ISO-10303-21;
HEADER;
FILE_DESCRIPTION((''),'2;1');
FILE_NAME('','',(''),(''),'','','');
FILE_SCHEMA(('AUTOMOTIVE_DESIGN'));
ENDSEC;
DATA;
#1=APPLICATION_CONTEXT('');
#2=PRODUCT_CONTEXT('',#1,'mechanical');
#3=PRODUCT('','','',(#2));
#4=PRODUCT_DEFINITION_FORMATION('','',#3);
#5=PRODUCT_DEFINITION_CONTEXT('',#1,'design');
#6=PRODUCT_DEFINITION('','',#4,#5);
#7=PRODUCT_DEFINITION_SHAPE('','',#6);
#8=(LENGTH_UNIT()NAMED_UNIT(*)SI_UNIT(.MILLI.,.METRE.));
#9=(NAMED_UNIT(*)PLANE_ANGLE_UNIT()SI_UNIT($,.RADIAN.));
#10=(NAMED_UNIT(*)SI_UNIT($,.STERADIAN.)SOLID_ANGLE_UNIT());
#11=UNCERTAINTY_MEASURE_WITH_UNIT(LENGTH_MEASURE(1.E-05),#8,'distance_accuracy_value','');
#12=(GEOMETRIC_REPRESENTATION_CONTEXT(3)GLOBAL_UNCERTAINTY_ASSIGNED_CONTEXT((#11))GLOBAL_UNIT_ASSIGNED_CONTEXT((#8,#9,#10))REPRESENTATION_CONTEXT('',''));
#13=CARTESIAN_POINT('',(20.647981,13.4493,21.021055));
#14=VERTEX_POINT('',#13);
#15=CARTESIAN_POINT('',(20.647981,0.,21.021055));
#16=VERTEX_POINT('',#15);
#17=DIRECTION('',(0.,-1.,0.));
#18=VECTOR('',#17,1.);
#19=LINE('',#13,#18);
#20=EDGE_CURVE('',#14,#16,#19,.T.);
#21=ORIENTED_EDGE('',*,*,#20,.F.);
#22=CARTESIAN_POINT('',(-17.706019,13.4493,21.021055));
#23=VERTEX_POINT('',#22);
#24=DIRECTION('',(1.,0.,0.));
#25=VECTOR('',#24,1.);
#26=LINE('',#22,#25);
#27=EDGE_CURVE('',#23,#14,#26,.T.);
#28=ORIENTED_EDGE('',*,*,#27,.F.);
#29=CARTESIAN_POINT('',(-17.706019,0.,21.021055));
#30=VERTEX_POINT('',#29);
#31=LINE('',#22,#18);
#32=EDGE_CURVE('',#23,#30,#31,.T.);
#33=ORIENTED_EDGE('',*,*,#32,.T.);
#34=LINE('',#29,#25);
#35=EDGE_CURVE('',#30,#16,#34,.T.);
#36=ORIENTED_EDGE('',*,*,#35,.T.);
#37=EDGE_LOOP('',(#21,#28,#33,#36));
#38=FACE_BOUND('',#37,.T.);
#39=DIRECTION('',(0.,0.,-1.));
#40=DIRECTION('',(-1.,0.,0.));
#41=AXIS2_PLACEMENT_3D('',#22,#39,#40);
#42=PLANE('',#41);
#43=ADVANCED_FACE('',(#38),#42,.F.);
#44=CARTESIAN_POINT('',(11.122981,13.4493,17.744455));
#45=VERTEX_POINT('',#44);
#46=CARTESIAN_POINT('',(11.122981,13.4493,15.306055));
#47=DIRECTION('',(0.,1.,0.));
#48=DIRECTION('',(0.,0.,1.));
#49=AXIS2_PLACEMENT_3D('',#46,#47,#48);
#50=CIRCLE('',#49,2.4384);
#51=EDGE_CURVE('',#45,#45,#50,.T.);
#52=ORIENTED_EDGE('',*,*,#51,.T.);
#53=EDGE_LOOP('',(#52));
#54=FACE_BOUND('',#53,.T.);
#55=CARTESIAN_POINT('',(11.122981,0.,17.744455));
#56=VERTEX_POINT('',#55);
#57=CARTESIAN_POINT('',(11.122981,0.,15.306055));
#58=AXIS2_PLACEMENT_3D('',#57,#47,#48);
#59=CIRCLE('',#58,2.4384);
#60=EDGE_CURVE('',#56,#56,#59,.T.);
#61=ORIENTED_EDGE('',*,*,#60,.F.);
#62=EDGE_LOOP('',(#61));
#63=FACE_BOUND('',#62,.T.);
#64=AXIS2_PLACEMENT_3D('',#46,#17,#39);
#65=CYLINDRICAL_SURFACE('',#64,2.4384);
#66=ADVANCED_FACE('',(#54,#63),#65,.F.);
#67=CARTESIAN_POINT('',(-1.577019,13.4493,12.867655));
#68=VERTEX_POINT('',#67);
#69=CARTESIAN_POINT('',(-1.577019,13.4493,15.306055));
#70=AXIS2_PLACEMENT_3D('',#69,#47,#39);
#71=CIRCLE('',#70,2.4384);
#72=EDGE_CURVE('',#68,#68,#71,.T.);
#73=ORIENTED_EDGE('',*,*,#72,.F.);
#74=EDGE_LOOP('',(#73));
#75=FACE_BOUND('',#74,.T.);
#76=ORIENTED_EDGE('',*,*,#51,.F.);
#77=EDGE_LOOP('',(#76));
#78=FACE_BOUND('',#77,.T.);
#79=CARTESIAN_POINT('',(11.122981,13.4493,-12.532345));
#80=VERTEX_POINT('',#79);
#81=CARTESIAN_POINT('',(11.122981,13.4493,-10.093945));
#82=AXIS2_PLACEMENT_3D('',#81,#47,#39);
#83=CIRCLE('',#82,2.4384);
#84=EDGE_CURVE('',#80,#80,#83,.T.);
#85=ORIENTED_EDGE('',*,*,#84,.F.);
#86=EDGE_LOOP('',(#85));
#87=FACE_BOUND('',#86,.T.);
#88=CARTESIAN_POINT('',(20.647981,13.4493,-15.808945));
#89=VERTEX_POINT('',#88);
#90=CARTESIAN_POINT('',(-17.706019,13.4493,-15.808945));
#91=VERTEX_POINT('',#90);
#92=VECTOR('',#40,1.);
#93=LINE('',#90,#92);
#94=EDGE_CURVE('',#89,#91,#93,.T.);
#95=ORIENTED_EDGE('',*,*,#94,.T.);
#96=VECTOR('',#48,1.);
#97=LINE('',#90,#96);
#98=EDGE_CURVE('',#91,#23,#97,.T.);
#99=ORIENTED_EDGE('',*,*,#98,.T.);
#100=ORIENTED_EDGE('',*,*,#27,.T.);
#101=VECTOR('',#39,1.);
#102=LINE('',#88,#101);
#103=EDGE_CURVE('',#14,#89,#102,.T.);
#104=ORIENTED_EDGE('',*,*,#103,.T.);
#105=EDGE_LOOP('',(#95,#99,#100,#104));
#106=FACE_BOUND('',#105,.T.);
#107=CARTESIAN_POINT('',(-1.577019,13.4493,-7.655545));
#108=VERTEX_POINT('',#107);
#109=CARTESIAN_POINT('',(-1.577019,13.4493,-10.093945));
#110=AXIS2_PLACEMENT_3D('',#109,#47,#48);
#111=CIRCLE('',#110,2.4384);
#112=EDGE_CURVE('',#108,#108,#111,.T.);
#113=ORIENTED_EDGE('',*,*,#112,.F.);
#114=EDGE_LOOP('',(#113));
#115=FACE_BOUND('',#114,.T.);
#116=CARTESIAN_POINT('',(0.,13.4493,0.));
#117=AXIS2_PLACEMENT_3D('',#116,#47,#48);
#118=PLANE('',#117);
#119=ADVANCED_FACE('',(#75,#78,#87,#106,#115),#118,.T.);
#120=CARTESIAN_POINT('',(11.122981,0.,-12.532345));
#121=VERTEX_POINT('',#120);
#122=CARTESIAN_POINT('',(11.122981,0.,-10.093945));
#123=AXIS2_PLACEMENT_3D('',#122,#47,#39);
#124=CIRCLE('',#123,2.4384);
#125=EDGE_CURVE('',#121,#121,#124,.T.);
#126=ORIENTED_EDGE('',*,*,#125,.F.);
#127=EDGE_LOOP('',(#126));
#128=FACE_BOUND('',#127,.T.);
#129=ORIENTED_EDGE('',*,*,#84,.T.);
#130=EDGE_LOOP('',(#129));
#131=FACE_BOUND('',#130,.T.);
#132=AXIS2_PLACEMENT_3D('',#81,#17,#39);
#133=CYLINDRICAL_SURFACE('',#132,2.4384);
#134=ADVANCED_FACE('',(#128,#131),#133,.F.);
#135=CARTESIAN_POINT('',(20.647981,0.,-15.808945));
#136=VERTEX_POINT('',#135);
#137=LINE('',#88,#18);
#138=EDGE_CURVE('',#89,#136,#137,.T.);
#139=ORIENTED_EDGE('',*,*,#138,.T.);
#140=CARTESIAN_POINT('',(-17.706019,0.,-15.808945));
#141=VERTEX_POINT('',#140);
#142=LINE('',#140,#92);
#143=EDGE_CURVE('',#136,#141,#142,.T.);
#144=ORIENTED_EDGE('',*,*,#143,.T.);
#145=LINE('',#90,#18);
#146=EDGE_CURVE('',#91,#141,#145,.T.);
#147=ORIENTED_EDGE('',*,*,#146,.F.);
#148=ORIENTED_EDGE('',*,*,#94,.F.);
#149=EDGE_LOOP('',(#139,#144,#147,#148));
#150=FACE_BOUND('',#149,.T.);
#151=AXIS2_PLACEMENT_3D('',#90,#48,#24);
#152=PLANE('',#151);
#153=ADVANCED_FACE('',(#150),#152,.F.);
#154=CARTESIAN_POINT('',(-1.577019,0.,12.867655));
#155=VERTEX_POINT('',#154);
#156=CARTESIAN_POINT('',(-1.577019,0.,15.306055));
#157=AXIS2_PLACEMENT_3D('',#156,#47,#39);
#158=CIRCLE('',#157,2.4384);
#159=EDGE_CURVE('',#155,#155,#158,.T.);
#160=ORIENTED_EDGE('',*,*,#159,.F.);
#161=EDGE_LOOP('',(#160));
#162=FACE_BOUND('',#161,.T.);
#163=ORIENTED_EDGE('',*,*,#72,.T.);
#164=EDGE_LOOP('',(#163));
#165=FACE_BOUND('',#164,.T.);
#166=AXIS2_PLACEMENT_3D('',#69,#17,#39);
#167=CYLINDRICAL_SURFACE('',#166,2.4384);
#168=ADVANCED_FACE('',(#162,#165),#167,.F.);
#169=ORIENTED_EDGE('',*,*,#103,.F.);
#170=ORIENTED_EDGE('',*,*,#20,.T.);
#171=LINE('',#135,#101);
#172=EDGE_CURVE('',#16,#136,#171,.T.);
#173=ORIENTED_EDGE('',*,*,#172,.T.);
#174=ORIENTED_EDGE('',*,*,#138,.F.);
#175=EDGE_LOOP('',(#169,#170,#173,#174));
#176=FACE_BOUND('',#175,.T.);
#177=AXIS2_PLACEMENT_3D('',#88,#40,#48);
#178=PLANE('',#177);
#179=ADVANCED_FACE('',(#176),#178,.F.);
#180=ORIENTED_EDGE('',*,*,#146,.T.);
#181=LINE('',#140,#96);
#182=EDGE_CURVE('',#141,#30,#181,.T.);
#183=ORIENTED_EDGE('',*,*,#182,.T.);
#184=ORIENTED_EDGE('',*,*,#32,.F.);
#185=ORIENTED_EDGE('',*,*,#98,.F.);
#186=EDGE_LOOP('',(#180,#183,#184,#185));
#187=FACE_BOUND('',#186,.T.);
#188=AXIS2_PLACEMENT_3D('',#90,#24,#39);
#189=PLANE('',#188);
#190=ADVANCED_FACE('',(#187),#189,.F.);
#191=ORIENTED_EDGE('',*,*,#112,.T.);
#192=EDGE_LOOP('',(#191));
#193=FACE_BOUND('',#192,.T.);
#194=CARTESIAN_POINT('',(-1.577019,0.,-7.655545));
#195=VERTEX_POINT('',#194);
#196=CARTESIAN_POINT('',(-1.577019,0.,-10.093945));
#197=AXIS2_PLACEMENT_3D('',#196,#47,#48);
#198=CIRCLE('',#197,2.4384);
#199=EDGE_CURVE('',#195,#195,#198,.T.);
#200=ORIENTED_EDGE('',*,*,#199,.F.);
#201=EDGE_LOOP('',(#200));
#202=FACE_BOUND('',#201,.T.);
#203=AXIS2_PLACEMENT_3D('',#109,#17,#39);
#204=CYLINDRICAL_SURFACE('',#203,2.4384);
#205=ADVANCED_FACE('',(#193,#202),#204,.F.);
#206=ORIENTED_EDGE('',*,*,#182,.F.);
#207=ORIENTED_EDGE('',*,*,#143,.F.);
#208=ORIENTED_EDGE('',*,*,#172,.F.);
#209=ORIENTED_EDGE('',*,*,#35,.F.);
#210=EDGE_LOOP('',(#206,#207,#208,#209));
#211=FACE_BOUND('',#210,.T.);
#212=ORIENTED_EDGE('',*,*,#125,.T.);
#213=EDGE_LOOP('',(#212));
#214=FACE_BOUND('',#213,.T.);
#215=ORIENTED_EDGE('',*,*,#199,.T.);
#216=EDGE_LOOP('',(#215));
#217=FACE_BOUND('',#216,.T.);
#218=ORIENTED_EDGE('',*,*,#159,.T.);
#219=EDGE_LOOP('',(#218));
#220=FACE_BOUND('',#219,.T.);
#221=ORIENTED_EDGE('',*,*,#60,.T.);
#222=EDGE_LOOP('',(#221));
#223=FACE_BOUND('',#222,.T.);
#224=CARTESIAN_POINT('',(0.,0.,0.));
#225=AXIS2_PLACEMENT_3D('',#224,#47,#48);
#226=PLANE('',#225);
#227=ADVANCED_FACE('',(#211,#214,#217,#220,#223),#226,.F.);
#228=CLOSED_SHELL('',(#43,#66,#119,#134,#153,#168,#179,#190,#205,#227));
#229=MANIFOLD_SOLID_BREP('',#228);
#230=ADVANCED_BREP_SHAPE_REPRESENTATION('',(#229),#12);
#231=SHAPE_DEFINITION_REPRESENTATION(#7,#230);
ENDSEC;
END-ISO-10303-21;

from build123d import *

# Parameters (mm, degrees)
SKETCH1_W           = 38.354
SKETCH1_H           = 36.83
SKETCH1_R           = 2.4384
BOSS_EXTRUDE1_DEPTH = 13.4493


with BuildPart() as part:
    # Sketch1 → Boss-Extrude1 (new body)
    with BuildSketch(Plane(origin=(0, 0, 0), x_dir=(1, 0, 0), z_dir=(0, 1, 0))):
        with Locations((1.470981215, -2.606054656)):
            Rectangle(SKETCH1_W, SKETCH1_H)
        with Locations(Location((-1.577018785, 10.093945344, 0), (0, 0, 270))):
            Circle(SKETCH1_R, mode=Mode.SUBTRACT)
        with Locations(Location((11.122981215, 10.093945344, 0), (0, 0, 90))):
            Circle(SKETCH1_R, mode=Mode.SUBTRACT)
        with Locations(Location((11.122981215, -15.306054656, 0), (0, 0, 270))):
            Circle(SKETCH1_R, mode=Mode.SUBTRACT)
        with Locations(Location((-1.577018785, -15.306054656, 0), (0, 0, 90))):
            Circle(SKETCH1_R, mode=Mode.SUBTRACT)
    extrude(amount=BOSS_EXTRUDE1_DEPTH)


solid = part.part
